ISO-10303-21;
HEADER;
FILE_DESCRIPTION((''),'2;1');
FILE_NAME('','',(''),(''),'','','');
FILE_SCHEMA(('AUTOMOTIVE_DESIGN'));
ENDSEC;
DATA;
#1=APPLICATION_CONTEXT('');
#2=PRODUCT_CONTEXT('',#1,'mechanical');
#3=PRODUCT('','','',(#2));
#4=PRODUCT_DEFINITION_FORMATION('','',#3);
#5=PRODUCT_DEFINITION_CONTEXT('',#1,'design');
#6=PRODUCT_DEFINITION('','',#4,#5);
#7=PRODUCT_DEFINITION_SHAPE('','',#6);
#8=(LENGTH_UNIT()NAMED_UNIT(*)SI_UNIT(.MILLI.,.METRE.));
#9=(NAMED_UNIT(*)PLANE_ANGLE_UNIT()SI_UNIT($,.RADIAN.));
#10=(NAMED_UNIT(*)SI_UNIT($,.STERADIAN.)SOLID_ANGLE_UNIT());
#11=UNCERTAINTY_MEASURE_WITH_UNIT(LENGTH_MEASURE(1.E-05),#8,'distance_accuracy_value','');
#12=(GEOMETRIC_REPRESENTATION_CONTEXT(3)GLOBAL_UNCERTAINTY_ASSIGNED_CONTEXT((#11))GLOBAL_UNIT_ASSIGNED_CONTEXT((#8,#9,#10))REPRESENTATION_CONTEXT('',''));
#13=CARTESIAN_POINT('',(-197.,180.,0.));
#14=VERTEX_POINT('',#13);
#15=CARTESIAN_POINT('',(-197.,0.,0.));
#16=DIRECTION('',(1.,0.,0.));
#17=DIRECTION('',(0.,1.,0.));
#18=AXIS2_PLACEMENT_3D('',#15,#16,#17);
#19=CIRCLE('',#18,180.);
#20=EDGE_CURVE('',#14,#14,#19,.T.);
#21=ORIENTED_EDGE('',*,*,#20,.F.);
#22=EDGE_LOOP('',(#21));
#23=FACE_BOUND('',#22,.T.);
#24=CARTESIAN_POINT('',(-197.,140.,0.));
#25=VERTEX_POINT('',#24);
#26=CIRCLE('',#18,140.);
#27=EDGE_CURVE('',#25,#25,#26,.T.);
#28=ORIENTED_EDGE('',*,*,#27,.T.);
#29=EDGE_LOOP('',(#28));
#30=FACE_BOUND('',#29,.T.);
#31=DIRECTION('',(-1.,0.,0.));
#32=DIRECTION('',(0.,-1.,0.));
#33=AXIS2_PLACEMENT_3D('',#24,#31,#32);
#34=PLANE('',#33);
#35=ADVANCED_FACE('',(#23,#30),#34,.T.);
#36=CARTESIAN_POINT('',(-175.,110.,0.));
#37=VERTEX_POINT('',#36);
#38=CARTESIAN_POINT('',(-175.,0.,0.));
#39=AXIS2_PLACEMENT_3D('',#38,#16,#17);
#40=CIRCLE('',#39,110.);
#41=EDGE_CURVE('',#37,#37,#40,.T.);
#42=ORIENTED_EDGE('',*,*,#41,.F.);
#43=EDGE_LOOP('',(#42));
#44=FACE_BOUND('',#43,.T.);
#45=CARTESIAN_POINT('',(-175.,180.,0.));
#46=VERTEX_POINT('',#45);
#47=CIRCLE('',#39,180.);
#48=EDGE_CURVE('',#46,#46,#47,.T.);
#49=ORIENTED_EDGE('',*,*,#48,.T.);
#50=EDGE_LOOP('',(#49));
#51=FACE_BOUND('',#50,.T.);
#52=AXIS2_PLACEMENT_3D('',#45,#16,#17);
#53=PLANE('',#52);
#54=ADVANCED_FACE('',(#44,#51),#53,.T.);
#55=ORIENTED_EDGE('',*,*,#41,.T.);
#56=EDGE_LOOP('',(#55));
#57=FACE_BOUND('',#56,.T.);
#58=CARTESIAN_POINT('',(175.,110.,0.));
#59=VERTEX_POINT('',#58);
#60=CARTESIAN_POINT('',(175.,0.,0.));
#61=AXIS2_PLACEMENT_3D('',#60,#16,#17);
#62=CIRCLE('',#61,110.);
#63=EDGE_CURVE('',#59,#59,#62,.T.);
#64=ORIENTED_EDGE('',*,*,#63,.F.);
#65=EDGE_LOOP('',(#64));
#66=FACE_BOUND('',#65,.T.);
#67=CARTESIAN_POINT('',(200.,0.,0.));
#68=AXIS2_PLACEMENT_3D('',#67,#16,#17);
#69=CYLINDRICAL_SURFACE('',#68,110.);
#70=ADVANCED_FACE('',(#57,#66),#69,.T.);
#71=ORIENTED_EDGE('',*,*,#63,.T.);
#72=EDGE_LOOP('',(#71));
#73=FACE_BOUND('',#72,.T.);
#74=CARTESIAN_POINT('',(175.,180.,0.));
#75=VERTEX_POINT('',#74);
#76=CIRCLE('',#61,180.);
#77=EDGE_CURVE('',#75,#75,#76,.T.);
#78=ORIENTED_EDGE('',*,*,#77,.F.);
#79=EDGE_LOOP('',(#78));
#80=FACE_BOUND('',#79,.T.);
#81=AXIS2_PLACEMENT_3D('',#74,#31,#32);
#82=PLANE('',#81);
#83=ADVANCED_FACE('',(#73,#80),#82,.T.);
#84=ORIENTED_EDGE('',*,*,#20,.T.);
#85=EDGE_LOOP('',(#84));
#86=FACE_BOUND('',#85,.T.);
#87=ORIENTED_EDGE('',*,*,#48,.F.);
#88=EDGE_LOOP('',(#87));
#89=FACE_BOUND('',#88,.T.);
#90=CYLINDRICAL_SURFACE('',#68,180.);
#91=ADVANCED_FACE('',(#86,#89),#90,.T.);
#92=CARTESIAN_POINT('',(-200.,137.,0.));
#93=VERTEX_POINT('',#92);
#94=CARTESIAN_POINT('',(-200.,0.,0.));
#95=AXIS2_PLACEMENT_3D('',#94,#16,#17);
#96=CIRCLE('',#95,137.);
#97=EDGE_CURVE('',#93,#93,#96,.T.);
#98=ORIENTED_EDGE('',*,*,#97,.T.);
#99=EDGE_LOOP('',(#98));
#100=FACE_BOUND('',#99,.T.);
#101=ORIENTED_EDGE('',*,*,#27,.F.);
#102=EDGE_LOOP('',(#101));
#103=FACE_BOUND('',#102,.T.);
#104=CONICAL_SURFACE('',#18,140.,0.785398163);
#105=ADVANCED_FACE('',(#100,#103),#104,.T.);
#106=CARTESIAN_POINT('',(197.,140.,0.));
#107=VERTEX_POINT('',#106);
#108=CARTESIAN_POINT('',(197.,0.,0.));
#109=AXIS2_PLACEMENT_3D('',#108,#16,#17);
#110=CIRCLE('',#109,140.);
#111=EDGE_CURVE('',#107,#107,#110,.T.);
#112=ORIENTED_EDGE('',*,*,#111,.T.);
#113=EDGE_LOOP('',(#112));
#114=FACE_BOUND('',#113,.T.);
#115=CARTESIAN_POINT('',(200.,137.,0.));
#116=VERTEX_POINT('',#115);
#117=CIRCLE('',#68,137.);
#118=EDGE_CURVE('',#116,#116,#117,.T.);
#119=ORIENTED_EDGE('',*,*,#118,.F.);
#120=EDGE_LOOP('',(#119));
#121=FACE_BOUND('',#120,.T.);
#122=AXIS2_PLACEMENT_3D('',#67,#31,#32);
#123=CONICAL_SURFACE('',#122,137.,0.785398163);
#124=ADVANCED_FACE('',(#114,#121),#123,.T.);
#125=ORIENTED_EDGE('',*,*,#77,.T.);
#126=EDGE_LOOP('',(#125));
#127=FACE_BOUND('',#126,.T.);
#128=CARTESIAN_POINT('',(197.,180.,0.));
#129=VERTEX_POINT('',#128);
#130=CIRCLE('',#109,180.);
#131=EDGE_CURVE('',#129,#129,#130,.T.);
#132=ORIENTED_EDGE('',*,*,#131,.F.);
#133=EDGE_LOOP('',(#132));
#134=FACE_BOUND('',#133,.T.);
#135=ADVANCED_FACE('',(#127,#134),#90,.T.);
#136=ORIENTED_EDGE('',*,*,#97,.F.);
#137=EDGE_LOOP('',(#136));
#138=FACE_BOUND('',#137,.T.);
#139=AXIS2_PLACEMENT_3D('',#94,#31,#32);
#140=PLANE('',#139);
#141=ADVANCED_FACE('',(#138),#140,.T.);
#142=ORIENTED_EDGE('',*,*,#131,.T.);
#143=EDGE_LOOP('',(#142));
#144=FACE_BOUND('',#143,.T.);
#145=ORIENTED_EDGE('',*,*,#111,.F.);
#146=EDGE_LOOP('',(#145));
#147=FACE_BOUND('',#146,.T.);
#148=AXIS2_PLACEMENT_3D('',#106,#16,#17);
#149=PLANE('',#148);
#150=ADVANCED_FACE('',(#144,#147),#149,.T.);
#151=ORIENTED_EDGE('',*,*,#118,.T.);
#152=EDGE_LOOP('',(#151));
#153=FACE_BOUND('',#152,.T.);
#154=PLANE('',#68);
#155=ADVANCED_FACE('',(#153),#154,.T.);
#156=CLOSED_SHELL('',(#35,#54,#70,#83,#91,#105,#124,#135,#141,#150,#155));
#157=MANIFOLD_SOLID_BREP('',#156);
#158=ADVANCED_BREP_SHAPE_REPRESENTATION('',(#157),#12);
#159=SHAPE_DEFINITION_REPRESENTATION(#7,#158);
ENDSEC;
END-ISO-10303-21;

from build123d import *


with BuildPart() as part:
    # Sketch1 → Revolve1 (revolve)
    with BuildSketch(Plane.XY):
        Polygon((200, 0), (-200, 0), (-200, 137), (-197, 140), (-197, 180), (-175, 180), (-175, 110), (175, 110), (175, 180), (197, 180), (197, 140), (200, 137), align=None)
    revolve(axis=Axis((200, 0, 0), (-1, 0, 0)))


solid = part.part
